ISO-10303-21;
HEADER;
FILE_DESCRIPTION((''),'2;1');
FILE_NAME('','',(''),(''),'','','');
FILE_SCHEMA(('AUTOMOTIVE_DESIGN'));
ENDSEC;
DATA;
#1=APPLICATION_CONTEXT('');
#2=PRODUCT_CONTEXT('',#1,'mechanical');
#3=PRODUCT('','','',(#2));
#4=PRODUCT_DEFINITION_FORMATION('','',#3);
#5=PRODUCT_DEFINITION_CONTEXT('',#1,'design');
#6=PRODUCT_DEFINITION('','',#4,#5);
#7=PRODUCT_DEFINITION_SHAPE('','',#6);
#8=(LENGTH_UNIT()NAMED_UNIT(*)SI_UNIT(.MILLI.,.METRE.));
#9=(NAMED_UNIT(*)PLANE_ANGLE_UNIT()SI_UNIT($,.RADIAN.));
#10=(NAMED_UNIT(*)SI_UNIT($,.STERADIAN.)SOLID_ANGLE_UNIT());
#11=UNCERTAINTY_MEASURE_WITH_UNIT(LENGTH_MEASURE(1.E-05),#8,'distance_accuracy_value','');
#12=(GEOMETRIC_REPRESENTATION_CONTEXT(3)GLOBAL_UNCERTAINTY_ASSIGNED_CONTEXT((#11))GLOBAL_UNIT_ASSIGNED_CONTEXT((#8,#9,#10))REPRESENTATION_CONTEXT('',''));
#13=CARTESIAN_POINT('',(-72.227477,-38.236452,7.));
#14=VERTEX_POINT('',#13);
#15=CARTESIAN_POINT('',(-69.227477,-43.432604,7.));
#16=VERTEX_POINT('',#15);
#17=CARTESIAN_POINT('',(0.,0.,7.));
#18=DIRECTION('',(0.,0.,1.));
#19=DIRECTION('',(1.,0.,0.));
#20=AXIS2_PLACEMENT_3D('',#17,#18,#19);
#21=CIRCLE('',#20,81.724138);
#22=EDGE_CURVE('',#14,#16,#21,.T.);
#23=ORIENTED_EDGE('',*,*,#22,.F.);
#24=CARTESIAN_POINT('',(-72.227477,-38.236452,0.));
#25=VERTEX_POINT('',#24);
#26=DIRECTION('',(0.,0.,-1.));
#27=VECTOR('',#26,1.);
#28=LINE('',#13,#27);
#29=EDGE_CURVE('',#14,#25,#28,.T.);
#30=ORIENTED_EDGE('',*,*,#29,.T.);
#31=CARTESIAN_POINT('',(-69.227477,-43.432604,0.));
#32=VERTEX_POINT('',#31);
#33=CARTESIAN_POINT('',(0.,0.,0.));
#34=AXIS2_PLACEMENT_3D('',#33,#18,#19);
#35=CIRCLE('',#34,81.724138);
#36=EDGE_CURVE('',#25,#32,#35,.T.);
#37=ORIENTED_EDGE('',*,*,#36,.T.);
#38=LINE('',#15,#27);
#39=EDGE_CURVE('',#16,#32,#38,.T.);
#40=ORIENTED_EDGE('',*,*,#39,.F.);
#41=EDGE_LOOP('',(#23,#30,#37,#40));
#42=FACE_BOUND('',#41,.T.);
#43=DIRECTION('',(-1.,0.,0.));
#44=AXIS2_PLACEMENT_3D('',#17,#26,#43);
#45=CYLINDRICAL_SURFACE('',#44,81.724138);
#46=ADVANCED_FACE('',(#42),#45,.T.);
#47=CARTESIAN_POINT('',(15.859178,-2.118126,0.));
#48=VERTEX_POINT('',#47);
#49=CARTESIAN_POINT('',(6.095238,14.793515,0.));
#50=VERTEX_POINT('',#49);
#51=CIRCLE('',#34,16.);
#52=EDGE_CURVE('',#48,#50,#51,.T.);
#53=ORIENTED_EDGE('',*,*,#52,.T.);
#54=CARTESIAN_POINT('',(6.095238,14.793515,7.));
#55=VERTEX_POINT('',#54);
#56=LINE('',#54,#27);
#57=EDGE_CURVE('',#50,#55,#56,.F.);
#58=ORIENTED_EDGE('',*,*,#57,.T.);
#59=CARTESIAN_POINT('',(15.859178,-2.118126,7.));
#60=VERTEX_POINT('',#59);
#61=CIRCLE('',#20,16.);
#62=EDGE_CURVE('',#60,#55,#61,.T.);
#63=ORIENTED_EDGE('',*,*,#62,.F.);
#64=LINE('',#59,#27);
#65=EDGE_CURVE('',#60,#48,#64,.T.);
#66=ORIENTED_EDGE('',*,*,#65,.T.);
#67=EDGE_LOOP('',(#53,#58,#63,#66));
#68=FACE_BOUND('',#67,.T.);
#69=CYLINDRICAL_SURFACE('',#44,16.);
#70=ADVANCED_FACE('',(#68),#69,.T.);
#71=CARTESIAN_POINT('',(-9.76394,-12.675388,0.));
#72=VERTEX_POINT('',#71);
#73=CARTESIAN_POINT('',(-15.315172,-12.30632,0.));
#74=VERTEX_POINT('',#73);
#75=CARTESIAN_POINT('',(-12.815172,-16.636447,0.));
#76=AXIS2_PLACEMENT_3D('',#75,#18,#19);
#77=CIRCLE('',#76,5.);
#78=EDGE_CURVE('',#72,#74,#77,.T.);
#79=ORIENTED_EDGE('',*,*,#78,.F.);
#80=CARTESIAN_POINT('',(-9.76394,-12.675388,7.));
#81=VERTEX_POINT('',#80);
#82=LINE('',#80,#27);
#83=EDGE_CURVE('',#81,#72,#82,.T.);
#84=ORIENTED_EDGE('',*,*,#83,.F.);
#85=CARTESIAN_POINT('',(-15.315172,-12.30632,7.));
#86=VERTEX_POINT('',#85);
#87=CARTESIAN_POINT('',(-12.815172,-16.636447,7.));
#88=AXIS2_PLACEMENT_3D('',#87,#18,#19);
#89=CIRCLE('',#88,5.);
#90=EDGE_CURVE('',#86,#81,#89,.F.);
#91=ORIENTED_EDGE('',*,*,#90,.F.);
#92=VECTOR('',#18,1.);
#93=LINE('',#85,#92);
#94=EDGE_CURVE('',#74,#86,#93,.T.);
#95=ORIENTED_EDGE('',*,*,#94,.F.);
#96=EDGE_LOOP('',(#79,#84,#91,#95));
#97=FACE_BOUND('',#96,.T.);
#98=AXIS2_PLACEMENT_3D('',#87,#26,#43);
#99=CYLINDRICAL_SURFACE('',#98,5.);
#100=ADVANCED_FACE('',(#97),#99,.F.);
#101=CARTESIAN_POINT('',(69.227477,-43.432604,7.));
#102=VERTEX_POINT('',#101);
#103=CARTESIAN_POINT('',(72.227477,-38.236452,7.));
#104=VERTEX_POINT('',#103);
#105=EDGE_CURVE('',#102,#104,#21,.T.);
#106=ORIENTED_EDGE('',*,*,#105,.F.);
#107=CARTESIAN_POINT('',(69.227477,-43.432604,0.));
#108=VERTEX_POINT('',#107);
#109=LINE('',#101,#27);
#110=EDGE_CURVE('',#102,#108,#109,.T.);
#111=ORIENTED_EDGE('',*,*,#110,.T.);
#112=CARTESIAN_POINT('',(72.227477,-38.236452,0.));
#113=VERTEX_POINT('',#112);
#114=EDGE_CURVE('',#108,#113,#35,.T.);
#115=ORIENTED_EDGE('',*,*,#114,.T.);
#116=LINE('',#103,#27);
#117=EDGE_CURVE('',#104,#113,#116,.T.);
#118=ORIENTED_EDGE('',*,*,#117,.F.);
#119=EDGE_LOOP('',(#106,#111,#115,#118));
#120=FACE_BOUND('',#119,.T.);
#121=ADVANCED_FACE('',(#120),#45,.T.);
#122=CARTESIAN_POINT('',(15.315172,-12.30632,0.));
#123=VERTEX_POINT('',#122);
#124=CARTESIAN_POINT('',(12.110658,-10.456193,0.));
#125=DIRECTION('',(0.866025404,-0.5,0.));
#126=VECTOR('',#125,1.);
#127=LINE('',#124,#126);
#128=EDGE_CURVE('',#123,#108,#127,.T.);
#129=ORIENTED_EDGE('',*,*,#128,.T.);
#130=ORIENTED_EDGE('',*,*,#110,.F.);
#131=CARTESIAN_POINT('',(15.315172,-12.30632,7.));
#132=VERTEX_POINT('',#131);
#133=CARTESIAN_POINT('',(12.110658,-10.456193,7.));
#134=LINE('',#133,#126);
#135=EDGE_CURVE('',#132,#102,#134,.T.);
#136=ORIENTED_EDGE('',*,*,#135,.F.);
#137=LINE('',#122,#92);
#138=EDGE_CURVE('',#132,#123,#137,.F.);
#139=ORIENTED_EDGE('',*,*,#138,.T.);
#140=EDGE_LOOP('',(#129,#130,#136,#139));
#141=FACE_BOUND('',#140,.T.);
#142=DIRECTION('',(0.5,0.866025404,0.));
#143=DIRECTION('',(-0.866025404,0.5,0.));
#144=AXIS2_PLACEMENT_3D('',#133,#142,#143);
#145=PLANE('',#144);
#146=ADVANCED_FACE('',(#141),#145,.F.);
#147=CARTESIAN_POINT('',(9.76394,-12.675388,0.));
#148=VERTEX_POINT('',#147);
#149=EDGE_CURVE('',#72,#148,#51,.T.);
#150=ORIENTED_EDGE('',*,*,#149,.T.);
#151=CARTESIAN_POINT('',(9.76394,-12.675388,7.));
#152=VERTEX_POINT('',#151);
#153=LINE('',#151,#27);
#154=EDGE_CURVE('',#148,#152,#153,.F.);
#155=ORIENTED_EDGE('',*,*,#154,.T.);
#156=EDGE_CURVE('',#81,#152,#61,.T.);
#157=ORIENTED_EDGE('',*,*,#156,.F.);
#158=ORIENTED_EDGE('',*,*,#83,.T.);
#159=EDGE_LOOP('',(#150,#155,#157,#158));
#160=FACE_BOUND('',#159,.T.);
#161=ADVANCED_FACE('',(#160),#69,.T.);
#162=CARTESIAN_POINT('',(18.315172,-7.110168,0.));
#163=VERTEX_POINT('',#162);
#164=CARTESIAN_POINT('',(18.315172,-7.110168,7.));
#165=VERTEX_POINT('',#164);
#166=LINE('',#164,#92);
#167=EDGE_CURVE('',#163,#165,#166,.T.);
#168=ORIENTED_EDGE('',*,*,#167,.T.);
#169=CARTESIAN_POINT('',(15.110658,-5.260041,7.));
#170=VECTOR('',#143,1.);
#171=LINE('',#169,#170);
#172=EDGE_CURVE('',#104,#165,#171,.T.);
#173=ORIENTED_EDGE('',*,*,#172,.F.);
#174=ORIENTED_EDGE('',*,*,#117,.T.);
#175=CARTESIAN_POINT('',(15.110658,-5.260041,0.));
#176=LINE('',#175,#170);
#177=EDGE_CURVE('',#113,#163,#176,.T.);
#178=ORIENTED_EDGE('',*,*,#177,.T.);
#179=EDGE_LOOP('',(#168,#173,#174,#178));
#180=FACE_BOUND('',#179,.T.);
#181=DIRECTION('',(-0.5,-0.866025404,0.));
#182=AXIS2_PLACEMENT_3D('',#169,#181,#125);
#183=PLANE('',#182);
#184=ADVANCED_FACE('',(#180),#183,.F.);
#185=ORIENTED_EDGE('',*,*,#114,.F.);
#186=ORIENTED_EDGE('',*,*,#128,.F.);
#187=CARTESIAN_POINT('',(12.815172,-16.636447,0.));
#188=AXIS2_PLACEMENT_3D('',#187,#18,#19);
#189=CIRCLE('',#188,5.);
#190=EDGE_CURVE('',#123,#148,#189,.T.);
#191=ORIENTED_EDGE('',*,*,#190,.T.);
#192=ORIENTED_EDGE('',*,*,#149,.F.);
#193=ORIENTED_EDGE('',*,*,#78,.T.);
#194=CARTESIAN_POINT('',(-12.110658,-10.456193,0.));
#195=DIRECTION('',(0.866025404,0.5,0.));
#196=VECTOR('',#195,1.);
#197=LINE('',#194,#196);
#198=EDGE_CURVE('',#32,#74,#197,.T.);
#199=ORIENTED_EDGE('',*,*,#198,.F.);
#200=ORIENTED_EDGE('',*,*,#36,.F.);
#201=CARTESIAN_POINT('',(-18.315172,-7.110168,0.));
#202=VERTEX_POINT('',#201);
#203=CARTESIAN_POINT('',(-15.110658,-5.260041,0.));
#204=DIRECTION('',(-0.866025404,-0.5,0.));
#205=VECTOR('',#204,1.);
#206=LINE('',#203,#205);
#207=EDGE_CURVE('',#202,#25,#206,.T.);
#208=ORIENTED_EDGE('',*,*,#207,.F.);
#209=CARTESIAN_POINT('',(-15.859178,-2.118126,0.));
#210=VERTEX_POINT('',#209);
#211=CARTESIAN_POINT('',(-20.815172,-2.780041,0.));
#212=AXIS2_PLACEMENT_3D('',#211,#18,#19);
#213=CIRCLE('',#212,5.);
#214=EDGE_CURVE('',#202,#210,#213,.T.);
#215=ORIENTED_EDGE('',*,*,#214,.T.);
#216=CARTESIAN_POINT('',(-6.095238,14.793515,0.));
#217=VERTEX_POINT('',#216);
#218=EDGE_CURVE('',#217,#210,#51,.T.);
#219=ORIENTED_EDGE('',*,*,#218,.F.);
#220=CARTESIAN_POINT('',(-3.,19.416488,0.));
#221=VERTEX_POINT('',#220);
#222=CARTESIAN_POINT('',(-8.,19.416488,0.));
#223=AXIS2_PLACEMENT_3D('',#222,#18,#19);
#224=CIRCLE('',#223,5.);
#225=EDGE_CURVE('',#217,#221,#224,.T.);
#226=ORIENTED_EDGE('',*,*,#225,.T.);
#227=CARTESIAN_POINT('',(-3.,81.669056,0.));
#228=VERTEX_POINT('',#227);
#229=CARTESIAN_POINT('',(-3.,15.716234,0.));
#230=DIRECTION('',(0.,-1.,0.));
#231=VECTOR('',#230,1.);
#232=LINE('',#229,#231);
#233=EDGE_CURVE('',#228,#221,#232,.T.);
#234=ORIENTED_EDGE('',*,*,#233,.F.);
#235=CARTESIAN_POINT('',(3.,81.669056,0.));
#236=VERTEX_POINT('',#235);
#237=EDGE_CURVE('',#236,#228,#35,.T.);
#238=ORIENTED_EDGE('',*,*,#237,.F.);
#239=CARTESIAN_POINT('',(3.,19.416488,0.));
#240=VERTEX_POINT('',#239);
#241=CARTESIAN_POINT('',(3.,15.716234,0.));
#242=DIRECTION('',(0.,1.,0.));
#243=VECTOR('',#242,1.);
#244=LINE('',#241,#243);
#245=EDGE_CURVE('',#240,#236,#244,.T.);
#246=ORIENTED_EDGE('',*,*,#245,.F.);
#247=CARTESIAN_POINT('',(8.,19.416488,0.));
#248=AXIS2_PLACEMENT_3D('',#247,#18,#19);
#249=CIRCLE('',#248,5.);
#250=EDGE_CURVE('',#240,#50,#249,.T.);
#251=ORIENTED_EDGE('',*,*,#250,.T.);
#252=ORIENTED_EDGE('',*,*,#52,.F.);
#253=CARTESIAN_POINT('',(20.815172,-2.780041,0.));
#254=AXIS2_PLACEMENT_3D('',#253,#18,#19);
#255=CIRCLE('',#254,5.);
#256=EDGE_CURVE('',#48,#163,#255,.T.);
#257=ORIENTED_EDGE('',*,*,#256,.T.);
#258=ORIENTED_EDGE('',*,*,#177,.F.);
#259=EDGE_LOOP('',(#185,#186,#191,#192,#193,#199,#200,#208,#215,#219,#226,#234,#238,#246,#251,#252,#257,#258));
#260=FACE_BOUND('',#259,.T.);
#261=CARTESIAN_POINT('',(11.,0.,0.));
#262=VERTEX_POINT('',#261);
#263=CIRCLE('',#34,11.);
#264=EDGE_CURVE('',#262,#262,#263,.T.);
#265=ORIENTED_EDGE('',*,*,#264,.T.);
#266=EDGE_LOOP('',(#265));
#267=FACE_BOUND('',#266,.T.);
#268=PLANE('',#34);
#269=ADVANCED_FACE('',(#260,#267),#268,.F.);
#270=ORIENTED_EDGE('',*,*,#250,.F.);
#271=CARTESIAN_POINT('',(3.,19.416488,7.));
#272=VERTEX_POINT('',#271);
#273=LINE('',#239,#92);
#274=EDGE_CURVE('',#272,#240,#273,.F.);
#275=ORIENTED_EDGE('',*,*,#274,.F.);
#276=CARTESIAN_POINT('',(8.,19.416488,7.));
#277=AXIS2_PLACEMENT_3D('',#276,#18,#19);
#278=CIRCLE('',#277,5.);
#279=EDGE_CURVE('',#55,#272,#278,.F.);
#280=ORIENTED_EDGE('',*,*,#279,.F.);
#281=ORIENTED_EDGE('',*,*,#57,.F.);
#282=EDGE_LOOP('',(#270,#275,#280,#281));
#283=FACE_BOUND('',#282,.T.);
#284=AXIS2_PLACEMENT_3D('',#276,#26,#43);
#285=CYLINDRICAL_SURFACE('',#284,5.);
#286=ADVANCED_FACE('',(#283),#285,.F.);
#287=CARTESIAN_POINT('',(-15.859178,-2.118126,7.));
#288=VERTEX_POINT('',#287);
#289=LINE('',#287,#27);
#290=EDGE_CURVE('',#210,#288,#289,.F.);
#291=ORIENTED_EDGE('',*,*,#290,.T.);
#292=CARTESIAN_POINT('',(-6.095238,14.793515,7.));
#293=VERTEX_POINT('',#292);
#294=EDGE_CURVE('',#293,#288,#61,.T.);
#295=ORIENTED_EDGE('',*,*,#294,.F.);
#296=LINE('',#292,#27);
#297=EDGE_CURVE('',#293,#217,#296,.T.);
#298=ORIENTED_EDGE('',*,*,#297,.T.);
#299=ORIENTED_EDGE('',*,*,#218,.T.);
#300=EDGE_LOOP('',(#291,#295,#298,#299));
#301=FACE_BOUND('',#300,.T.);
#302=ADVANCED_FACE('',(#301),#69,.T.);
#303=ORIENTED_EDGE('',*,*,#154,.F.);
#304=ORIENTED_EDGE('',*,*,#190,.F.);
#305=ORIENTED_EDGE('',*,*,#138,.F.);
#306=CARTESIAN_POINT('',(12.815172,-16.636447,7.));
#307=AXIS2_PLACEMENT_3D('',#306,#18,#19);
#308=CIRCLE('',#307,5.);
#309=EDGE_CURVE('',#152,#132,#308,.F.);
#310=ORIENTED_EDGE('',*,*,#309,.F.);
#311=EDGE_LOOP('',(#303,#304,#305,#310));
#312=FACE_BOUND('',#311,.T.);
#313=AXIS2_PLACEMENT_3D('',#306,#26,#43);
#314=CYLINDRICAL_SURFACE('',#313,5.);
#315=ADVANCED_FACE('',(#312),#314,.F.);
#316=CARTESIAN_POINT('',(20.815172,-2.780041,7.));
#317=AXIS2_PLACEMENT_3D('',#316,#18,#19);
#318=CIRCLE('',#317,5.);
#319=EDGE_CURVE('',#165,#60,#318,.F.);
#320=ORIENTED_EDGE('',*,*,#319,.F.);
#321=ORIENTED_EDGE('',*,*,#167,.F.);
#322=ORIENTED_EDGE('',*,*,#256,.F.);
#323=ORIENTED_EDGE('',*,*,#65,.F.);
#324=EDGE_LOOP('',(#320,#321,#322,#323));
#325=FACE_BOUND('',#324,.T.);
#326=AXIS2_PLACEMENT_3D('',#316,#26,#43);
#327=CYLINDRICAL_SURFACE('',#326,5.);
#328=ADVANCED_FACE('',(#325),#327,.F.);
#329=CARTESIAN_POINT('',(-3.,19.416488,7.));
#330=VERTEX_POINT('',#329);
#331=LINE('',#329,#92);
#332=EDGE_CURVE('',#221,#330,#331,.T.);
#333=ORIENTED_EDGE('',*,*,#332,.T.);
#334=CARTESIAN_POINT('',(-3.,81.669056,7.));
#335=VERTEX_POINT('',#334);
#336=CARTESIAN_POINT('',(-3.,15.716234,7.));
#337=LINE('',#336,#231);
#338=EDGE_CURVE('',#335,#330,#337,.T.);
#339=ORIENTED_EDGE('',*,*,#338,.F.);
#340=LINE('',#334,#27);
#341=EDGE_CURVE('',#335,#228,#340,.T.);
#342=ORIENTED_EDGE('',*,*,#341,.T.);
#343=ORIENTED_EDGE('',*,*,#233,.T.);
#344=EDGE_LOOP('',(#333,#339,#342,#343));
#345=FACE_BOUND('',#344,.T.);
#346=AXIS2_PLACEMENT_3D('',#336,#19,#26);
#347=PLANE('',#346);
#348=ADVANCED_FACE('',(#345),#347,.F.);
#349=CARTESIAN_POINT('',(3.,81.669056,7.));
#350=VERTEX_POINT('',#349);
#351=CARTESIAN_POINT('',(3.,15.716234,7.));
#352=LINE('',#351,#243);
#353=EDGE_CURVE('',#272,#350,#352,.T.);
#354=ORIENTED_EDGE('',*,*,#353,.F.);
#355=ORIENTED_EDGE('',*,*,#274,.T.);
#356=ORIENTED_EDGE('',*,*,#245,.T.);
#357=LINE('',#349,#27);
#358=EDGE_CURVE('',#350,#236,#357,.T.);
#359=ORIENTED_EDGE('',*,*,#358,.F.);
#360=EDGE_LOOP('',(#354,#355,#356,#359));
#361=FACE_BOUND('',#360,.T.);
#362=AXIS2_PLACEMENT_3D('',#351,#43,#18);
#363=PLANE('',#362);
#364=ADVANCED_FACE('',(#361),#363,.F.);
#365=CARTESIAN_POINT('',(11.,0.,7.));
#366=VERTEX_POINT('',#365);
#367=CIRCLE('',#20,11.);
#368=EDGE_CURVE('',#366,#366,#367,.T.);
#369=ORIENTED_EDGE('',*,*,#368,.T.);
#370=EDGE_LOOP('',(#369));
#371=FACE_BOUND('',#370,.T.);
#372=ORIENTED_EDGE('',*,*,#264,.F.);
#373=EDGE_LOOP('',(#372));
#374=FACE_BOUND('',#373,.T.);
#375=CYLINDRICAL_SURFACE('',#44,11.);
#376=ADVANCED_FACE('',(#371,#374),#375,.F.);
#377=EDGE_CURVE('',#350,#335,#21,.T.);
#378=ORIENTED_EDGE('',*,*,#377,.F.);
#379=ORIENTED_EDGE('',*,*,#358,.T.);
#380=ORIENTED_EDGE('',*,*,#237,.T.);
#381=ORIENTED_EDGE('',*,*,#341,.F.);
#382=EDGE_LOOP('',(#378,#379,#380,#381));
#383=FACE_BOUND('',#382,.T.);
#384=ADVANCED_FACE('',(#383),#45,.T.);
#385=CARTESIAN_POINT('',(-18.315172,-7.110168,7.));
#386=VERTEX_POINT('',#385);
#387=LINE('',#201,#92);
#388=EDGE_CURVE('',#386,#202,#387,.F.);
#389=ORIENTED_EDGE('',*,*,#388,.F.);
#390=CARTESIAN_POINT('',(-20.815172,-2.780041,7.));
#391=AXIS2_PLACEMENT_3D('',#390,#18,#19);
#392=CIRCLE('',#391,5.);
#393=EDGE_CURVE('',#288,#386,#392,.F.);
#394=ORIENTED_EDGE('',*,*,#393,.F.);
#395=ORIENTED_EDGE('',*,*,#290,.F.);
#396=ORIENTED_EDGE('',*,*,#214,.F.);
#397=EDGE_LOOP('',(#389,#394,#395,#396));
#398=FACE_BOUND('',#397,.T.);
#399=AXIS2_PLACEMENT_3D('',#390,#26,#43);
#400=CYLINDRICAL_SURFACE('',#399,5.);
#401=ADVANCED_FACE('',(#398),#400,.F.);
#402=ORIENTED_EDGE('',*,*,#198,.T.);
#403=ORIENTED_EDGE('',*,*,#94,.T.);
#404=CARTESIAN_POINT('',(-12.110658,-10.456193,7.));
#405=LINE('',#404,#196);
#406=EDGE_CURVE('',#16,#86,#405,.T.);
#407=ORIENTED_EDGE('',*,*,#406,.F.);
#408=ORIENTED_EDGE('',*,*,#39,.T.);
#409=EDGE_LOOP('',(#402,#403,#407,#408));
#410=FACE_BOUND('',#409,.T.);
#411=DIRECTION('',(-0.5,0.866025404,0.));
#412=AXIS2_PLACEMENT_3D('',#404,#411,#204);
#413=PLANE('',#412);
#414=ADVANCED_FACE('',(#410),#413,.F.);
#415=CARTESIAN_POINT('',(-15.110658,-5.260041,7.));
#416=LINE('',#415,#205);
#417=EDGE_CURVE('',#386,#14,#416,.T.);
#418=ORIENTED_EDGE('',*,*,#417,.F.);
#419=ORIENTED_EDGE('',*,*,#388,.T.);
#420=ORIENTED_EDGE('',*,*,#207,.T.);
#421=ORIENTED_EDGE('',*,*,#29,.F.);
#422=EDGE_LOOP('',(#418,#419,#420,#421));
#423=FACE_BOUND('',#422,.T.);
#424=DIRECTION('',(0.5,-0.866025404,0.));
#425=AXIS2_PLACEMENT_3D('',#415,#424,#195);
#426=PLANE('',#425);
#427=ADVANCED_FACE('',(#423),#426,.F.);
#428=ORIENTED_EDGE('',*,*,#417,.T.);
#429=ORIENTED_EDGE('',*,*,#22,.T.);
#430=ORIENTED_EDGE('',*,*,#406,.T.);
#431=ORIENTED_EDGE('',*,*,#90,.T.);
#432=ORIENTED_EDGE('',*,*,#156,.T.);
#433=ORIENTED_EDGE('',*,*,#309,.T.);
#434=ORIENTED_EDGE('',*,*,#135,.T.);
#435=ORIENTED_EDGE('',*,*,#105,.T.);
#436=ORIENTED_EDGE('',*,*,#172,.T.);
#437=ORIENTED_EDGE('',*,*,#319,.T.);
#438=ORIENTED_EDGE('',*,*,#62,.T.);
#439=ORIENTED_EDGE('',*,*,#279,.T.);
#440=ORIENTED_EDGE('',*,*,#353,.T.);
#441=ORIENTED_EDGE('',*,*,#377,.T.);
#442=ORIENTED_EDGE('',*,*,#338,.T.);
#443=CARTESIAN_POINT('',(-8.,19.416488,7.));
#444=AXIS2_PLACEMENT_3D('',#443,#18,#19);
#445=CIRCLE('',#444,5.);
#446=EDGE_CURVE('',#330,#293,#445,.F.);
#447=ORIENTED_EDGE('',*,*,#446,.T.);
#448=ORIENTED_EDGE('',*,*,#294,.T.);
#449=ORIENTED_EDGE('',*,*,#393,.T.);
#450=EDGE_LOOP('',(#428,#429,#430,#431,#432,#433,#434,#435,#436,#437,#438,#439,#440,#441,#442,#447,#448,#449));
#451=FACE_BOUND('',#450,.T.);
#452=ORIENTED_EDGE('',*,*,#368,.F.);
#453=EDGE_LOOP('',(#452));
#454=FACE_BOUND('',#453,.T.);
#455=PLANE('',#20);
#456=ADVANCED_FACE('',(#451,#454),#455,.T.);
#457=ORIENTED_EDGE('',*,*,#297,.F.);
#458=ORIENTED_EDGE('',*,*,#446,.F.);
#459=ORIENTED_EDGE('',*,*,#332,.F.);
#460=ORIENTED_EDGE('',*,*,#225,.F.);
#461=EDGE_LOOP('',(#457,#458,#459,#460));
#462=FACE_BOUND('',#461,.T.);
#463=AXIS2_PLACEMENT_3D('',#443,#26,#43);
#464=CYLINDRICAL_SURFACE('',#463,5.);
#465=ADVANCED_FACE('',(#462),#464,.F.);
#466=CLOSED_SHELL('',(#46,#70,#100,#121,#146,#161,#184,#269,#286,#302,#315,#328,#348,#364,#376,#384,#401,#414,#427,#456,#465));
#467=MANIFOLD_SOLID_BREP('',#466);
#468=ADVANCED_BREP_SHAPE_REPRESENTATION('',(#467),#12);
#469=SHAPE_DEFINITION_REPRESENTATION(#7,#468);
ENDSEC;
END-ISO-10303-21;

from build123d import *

# Parameters (mm, degrees)
SKETCH1_R           = 11
BOSS_EXTRUDE1_DEPTH = 7
FILLET1_R           = 5


with BuildPart() as part:
    # Sketch1 → Boss-Extrude1 (new body)
    with BuildSketch(Plane.XY):
        with BuildLine():
            Line((-3, 15.716233646), (-3, 81.669056077))
            ThreePointArc((-3, 81.669056077), (0, 81.724137931), (3, 81.669056077))
            Line((3, 81.669056077), (3, 15.716233646))
            ThreePointArc((3, 15.716233646), (13.856406461, 8), (15.110657589, -5.260040611))
            Line((15.110657589, -5.260040611), (72.227477266, -38.236451827))
            ThreePointArc((72.227477266, -38.236451827), (70.775179551, -40.862068966), (69.227477266, -43.43260425))
            Line((69.227477266, -43.43260425), (12.110657589, -10.456193034))
            ThreePointArc((12.110657589, -10.456193034), (0, -16), (-12.110657589, -10.456193034))
            Line((-12.110657589, -10.456193034), (-69.227477266, -43.43260425))
            ThreePointArc((-69.227477266, -43.43260425), (-70.775179551, -40.862068966), (-72.227477266, -38.236451827))
            Line((-72.227477266, -38.236451827), (-15.110657589, -5.260040611))
            ThreePointArc((-15.110657589, -5.260040611), (-13.856406461, 8), (-3, 15.716233646))
        make_face()
        Circle(SKETCH1_R, mode=Mode.SUBTRACT)
    extrude(amount=BOSS_EXTRUDE1_DEPTH)

    # Fillet1
    fillet1_edges = [part.edges().sort_by_distance(p)[0] for p in [
        (-3, 15.716233646, 3.5),
        (3, 15.716233646, 3.5),
        (15.110657589, -5.260040611, 3.5),
        (12.110657589, -10.456193034, 3.5),
        (-12.110657589, -10.456193034, 3.5),
        (-15.110657589, -5.260040611, 3.5),
    ]]
    fillet(fillet1_edges, radius=FILLET1_R)


solid = part.part
